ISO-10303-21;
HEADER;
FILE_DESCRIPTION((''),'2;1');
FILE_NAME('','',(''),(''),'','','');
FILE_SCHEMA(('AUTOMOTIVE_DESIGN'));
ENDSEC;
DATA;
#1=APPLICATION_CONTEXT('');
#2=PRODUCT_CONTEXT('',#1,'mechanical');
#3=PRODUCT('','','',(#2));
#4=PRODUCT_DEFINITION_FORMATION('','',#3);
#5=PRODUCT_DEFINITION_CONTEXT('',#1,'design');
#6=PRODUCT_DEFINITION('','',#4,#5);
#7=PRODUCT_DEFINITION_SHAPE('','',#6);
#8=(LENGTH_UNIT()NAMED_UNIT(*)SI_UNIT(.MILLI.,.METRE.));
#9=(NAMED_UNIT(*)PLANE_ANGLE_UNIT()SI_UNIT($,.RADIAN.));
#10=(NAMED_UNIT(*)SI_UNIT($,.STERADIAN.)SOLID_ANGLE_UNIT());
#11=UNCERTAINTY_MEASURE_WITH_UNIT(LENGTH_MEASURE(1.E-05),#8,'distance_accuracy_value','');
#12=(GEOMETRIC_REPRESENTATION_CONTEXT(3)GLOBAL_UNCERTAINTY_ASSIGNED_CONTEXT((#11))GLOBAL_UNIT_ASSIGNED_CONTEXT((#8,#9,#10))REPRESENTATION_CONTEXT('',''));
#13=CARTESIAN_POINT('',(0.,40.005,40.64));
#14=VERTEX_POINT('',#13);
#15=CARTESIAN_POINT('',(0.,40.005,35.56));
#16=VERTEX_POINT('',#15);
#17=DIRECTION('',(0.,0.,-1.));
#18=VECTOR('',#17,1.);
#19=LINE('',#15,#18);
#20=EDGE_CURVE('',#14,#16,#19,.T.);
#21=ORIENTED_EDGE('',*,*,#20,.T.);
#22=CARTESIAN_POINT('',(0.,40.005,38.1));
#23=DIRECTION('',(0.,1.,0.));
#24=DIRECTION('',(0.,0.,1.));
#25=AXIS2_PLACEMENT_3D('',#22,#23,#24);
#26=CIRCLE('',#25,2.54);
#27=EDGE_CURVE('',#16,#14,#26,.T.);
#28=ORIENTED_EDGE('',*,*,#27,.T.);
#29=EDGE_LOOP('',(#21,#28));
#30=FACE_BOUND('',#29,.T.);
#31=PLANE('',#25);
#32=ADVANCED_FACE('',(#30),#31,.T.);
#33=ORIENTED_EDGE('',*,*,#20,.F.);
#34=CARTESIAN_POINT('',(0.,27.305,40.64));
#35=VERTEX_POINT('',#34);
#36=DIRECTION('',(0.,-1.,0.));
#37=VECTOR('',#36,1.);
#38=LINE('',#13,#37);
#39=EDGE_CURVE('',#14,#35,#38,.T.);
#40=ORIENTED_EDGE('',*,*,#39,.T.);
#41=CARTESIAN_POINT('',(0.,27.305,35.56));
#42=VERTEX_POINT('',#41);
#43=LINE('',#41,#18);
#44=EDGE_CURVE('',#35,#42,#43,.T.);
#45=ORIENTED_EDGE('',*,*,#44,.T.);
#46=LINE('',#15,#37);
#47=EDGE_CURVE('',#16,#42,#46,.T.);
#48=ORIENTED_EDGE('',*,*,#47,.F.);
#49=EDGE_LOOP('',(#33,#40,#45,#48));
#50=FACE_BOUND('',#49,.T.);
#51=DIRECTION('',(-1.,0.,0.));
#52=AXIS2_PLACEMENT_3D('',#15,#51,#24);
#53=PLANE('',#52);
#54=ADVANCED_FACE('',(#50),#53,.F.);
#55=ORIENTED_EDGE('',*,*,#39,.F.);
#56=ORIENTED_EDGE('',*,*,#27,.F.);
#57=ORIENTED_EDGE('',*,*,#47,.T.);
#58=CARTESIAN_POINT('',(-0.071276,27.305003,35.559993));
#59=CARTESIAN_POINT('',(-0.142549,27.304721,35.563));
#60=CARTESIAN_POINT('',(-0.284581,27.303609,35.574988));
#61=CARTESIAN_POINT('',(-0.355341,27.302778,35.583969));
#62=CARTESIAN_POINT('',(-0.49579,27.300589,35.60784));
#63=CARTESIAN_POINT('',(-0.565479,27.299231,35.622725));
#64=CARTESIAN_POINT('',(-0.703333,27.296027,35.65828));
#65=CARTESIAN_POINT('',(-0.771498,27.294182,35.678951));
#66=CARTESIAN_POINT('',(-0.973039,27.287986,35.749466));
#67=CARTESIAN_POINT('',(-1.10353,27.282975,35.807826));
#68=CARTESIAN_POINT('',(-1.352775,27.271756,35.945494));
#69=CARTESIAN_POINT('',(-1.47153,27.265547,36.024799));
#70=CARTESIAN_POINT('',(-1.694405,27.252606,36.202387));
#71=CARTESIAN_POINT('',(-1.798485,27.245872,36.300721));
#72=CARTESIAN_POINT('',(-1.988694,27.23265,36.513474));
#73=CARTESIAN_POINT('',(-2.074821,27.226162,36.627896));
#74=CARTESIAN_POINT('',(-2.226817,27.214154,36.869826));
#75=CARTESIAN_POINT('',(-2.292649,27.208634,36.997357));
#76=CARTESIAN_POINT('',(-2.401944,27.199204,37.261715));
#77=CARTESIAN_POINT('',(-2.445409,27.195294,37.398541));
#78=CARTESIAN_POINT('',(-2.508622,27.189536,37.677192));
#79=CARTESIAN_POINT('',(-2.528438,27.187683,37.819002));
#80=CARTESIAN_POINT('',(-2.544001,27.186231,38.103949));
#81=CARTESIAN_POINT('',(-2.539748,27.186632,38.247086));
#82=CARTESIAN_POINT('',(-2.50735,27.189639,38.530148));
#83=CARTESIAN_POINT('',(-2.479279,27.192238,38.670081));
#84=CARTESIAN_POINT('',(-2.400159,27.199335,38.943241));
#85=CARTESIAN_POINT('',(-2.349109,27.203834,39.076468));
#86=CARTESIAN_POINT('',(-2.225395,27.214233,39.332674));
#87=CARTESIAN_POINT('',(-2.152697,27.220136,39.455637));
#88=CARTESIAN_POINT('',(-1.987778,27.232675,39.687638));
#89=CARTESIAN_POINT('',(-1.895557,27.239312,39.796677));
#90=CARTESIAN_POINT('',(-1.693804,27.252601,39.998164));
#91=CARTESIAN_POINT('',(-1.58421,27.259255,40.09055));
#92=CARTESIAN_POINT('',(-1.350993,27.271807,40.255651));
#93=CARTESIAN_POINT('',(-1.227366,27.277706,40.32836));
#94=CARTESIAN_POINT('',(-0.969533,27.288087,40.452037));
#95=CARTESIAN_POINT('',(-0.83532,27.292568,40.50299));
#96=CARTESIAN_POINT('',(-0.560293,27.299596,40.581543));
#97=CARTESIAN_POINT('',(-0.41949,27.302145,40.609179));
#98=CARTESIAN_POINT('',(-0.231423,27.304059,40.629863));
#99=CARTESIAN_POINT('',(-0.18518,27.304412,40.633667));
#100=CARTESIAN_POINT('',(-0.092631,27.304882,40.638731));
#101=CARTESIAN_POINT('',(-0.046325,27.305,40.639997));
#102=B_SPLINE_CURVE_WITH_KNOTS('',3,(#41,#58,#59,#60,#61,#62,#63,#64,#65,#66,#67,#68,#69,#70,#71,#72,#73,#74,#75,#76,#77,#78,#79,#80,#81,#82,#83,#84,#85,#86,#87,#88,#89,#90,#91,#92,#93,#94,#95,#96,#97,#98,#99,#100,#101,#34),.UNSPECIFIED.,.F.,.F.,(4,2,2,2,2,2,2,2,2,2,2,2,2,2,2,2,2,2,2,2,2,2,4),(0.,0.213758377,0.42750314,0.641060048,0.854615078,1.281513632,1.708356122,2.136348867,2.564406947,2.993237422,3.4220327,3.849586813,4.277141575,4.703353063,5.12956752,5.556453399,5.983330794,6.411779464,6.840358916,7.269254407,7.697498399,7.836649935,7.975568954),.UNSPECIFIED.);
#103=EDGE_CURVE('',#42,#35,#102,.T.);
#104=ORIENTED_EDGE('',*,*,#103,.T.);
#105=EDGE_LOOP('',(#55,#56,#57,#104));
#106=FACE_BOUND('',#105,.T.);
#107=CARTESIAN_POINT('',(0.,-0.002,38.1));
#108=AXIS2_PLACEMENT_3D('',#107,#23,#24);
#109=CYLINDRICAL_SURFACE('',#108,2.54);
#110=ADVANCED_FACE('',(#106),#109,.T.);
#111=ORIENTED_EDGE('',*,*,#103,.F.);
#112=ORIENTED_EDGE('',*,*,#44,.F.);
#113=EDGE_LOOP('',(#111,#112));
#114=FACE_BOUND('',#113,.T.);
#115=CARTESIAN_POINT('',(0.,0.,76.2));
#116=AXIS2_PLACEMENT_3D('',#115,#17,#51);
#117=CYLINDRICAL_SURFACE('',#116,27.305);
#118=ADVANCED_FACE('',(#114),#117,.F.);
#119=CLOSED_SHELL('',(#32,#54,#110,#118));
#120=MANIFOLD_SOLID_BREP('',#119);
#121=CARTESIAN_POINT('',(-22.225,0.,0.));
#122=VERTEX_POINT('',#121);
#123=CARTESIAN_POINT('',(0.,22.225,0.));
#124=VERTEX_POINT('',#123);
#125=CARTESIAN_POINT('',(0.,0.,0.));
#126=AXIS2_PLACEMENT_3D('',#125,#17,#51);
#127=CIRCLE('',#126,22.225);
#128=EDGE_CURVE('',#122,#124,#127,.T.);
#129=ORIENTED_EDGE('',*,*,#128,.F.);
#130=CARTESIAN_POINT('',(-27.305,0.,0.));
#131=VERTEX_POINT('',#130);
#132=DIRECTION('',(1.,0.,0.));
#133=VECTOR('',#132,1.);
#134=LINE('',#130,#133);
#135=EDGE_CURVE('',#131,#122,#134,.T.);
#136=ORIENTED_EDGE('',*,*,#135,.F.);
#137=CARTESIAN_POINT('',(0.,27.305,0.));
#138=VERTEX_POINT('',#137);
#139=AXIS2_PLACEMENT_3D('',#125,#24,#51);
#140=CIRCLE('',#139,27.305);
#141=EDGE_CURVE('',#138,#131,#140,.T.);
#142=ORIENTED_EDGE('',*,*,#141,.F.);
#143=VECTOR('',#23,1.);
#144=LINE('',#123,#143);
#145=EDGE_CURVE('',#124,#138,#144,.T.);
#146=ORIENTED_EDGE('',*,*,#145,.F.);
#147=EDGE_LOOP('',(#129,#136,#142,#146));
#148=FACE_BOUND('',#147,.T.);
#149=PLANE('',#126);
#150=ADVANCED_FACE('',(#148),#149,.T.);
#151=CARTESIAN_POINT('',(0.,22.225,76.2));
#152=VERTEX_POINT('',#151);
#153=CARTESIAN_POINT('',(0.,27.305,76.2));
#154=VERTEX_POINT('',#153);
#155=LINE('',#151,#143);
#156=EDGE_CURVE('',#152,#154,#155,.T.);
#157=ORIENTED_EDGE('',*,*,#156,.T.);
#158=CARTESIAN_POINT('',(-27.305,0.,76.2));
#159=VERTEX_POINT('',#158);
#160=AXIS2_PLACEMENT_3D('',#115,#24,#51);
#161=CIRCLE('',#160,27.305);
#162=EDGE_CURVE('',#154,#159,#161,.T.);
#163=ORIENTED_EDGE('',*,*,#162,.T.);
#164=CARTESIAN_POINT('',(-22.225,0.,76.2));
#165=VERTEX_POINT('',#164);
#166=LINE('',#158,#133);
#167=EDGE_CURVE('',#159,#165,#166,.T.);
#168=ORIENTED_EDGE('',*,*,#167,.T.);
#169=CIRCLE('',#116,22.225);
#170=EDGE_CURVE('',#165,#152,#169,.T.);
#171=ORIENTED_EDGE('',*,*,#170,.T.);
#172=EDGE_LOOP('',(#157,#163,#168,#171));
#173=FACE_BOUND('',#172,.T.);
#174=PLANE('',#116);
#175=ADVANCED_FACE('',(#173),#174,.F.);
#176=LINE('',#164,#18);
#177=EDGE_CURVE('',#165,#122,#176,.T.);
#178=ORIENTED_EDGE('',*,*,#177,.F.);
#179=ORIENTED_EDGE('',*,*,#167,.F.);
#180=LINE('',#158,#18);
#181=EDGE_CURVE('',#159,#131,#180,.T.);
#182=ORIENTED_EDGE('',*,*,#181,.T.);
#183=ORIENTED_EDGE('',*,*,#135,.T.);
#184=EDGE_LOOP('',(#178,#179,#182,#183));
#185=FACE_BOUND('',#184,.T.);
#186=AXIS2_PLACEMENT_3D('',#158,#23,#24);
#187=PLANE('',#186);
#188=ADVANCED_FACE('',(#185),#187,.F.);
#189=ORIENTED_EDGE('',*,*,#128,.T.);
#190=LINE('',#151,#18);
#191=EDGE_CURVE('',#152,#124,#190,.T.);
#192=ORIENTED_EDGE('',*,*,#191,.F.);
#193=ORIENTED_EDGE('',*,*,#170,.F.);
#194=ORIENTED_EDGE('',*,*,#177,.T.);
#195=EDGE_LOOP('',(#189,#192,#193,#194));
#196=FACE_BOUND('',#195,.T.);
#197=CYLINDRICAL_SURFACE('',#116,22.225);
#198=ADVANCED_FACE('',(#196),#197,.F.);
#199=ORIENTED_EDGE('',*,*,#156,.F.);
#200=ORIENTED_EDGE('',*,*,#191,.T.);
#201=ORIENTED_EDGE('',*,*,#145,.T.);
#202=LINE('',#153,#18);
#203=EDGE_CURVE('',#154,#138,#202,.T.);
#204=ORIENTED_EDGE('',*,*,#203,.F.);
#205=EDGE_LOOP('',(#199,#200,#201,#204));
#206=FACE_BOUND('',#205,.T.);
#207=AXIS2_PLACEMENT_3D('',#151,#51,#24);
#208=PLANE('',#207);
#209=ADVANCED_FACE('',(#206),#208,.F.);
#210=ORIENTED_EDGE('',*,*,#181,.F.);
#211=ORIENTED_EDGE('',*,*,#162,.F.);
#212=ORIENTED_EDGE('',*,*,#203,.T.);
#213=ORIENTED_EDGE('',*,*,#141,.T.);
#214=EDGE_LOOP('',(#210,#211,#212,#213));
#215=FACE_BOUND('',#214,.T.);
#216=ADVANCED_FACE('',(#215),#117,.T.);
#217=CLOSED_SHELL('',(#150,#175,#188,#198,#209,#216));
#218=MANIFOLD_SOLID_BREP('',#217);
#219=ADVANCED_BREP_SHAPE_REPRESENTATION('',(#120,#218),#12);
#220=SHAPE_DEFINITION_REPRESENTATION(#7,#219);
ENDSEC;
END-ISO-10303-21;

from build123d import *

# Parameters (mm, degrees)
BOSS_EXTRUDE1_DEPTH                  = 76.2
BOSS_EXTRUDE2_DEPTH                  = 12.7
BOSS_EXTRUDE2_DIRECTION_2_REACH      = 87.426
BOSS_EXTRUDE2_DIRECTION_2_END_RADIUS = 27.305


with BuildPart() as part:
    # Sketch1 → Boss-Extrude1 (new body)
    with BuildSketch(Plane.XY):
        with BuildLine():
            Line((-27.305, 0), (-22.225, 0))
            ThreePointArc((-22.225, 0), (-15.715448212, 15.715448212), (0, 22.225))
            Line((0, 22.225), (0, 27.305))
            ThreePointArc((0, 27.305), (-19.30755066, 19.30755066), (-27.305, 0))
        make_face()
    extrude(amount=BOSS_EXTRUDE1_DEPTH)


with BuildPart() as body_2:
    # Sketch2 → Boss-Extrude2 (new body)
    with BuildSketch(Plane(origin=(0, 27.305, 0), x_dir=(1, 0, 0), z_dir=(0, 1, 0))):
        with BuildLine():
            Line((0, -35.56), (0, -40.64))
            ThreePointArc((0, -40.64), (-2.54, -38.1), (0, -35.56))
        make_face()
    extrude(amount=BOSS_EXTRUDE2_DEPTH)

    # Boss-Extrude2 direction 2: up to this cylinder (the profile starts outside it)
    boss_extrude2_direction_2_end = Plane(origin=(0, 0, 38.1), z_dir=(0, 0, -1)) * Cylinder(BOSS_EXTRUDE2_DIRECTION_2_END_RADIUS, 230.462, mode=Mode.PRIVATE)
    # Sketch2 → Boss-Extrude2 direction 2 (add, up to the surface)
    with BuildSketch(Plane(origin=(0, 27.305, 0), x_dir=(1, 0, 0), z_dir=(0, 1, 0)), mode=Mode.PRIVATE) as boss_extrude2_direction_2_sk1:
        with BuildLine():
            Line((0, -35.56), (0, -40.64))
            ThreePointArc((0, -40.64), (-2.54, -38.1), (0, -35.56))
        make_face()
    boss_extrude2_direction_2_tool1 = extrude(boss_extrude2_direction_2_sk1.sketch, amount=-BOSS_EXTRUDE2_DIRECTION_2_REACH, mode=Mode.PRIVATE) - boss_extrude2_direction_2_end
    add(boss_extrude2_direction_2_tool1.solids().sort_by_distance((-1.078009, 27.305, 38.1))[0])


solid = Compound([part.part, body_2.part])
